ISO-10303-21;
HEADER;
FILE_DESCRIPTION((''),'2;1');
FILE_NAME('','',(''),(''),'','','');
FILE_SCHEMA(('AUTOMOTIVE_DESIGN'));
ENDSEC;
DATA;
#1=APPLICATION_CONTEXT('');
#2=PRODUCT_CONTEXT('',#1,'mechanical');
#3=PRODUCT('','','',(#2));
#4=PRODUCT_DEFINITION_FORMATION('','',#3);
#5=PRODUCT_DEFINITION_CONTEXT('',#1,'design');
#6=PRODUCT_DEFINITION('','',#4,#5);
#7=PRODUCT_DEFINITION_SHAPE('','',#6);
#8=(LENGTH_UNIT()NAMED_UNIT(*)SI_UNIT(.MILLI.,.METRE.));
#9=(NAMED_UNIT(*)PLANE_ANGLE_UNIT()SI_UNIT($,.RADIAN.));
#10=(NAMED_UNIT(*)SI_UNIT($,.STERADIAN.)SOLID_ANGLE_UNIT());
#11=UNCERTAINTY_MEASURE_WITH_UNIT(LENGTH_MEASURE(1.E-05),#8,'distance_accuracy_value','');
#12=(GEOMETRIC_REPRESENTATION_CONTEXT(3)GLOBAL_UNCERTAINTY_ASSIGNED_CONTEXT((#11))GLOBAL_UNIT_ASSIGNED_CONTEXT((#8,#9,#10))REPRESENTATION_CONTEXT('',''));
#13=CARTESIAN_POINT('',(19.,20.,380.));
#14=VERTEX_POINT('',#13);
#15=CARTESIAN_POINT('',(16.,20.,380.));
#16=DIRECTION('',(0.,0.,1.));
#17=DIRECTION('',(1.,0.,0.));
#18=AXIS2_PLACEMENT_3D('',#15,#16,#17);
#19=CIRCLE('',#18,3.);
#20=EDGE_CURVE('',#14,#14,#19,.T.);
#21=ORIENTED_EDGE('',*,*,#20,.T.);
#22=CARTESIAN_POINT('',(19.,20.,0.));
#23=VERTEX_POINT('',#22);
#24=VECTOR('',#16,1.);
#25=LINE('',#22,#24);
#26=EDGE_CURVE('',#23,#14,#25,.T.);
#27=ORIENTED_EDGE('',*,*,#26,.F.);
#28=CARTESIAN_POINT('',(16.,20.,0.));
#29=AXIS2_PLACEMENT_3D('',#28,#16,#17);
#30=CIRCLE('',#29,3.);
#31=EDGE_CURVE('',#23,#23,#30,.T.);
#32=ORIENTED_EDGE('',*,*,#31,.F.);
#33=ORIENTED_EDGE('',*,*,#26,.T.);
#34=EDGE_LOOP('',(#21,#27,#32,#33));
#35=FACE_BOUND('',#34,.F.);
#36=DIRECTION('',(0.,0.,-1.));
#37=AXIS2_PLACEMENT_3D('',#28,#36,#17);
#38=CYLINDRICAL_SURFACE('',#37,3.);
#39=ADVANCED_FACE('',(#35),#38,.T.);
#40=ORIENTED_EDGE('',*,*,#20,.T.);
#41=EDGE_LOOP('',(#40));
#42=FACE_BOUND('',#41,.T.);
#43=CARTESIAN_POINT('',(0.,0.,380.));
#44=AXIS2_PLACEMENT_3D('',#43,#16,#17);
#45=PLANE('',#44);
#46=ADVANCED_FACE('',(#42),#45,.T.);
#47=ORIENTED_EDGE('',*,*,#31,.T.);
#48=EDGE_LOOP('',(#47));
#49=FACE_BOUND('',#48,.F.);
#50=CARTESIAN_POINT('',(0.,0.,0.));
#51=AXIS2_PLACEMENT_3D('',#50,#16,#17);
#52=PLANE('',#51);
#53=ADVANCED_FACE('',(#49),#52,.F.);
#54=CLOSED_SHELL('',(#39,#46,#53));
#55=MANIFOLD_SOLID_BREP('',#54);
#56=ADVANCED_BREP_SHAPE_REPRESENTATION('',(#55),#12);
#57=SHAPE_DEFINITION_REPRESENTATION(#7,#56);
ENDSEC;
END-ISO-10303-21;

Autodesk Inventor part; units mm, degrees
ref_plane "YZ Plane" through (0, 0, 0) normal (1, 0, 0) x (0, 1, 0)
ref_plane "XZ Plane" through (0, 0, 0) normal (0, 1, 0) x (-1, 0, 0)
ref_plane "XY Plane" through (0, 0, 0) normal (0, 0, 1) x (1, 0, 0)
ref_plane "Arbeitsebene1" through (0, 0, 0) normal (0, 0, 1) x (1, 0, 0)
sketch "Skizze1" plane through (0, 0, 0) normal (0, 0, 1) x (1, 0, 0)
  circle A0 centre (16, 20) radius 2.5 projected
  circle A1 centre (16, 20) radius 3
  point P0 (0, 0)
  dimension "d0" = 6
extrude "Extrusion1" add sketch "Skizze1" along normal blind 380 contours A0 | A1
properties part number "00_Thorlabs_6mm_rods_300mm"
